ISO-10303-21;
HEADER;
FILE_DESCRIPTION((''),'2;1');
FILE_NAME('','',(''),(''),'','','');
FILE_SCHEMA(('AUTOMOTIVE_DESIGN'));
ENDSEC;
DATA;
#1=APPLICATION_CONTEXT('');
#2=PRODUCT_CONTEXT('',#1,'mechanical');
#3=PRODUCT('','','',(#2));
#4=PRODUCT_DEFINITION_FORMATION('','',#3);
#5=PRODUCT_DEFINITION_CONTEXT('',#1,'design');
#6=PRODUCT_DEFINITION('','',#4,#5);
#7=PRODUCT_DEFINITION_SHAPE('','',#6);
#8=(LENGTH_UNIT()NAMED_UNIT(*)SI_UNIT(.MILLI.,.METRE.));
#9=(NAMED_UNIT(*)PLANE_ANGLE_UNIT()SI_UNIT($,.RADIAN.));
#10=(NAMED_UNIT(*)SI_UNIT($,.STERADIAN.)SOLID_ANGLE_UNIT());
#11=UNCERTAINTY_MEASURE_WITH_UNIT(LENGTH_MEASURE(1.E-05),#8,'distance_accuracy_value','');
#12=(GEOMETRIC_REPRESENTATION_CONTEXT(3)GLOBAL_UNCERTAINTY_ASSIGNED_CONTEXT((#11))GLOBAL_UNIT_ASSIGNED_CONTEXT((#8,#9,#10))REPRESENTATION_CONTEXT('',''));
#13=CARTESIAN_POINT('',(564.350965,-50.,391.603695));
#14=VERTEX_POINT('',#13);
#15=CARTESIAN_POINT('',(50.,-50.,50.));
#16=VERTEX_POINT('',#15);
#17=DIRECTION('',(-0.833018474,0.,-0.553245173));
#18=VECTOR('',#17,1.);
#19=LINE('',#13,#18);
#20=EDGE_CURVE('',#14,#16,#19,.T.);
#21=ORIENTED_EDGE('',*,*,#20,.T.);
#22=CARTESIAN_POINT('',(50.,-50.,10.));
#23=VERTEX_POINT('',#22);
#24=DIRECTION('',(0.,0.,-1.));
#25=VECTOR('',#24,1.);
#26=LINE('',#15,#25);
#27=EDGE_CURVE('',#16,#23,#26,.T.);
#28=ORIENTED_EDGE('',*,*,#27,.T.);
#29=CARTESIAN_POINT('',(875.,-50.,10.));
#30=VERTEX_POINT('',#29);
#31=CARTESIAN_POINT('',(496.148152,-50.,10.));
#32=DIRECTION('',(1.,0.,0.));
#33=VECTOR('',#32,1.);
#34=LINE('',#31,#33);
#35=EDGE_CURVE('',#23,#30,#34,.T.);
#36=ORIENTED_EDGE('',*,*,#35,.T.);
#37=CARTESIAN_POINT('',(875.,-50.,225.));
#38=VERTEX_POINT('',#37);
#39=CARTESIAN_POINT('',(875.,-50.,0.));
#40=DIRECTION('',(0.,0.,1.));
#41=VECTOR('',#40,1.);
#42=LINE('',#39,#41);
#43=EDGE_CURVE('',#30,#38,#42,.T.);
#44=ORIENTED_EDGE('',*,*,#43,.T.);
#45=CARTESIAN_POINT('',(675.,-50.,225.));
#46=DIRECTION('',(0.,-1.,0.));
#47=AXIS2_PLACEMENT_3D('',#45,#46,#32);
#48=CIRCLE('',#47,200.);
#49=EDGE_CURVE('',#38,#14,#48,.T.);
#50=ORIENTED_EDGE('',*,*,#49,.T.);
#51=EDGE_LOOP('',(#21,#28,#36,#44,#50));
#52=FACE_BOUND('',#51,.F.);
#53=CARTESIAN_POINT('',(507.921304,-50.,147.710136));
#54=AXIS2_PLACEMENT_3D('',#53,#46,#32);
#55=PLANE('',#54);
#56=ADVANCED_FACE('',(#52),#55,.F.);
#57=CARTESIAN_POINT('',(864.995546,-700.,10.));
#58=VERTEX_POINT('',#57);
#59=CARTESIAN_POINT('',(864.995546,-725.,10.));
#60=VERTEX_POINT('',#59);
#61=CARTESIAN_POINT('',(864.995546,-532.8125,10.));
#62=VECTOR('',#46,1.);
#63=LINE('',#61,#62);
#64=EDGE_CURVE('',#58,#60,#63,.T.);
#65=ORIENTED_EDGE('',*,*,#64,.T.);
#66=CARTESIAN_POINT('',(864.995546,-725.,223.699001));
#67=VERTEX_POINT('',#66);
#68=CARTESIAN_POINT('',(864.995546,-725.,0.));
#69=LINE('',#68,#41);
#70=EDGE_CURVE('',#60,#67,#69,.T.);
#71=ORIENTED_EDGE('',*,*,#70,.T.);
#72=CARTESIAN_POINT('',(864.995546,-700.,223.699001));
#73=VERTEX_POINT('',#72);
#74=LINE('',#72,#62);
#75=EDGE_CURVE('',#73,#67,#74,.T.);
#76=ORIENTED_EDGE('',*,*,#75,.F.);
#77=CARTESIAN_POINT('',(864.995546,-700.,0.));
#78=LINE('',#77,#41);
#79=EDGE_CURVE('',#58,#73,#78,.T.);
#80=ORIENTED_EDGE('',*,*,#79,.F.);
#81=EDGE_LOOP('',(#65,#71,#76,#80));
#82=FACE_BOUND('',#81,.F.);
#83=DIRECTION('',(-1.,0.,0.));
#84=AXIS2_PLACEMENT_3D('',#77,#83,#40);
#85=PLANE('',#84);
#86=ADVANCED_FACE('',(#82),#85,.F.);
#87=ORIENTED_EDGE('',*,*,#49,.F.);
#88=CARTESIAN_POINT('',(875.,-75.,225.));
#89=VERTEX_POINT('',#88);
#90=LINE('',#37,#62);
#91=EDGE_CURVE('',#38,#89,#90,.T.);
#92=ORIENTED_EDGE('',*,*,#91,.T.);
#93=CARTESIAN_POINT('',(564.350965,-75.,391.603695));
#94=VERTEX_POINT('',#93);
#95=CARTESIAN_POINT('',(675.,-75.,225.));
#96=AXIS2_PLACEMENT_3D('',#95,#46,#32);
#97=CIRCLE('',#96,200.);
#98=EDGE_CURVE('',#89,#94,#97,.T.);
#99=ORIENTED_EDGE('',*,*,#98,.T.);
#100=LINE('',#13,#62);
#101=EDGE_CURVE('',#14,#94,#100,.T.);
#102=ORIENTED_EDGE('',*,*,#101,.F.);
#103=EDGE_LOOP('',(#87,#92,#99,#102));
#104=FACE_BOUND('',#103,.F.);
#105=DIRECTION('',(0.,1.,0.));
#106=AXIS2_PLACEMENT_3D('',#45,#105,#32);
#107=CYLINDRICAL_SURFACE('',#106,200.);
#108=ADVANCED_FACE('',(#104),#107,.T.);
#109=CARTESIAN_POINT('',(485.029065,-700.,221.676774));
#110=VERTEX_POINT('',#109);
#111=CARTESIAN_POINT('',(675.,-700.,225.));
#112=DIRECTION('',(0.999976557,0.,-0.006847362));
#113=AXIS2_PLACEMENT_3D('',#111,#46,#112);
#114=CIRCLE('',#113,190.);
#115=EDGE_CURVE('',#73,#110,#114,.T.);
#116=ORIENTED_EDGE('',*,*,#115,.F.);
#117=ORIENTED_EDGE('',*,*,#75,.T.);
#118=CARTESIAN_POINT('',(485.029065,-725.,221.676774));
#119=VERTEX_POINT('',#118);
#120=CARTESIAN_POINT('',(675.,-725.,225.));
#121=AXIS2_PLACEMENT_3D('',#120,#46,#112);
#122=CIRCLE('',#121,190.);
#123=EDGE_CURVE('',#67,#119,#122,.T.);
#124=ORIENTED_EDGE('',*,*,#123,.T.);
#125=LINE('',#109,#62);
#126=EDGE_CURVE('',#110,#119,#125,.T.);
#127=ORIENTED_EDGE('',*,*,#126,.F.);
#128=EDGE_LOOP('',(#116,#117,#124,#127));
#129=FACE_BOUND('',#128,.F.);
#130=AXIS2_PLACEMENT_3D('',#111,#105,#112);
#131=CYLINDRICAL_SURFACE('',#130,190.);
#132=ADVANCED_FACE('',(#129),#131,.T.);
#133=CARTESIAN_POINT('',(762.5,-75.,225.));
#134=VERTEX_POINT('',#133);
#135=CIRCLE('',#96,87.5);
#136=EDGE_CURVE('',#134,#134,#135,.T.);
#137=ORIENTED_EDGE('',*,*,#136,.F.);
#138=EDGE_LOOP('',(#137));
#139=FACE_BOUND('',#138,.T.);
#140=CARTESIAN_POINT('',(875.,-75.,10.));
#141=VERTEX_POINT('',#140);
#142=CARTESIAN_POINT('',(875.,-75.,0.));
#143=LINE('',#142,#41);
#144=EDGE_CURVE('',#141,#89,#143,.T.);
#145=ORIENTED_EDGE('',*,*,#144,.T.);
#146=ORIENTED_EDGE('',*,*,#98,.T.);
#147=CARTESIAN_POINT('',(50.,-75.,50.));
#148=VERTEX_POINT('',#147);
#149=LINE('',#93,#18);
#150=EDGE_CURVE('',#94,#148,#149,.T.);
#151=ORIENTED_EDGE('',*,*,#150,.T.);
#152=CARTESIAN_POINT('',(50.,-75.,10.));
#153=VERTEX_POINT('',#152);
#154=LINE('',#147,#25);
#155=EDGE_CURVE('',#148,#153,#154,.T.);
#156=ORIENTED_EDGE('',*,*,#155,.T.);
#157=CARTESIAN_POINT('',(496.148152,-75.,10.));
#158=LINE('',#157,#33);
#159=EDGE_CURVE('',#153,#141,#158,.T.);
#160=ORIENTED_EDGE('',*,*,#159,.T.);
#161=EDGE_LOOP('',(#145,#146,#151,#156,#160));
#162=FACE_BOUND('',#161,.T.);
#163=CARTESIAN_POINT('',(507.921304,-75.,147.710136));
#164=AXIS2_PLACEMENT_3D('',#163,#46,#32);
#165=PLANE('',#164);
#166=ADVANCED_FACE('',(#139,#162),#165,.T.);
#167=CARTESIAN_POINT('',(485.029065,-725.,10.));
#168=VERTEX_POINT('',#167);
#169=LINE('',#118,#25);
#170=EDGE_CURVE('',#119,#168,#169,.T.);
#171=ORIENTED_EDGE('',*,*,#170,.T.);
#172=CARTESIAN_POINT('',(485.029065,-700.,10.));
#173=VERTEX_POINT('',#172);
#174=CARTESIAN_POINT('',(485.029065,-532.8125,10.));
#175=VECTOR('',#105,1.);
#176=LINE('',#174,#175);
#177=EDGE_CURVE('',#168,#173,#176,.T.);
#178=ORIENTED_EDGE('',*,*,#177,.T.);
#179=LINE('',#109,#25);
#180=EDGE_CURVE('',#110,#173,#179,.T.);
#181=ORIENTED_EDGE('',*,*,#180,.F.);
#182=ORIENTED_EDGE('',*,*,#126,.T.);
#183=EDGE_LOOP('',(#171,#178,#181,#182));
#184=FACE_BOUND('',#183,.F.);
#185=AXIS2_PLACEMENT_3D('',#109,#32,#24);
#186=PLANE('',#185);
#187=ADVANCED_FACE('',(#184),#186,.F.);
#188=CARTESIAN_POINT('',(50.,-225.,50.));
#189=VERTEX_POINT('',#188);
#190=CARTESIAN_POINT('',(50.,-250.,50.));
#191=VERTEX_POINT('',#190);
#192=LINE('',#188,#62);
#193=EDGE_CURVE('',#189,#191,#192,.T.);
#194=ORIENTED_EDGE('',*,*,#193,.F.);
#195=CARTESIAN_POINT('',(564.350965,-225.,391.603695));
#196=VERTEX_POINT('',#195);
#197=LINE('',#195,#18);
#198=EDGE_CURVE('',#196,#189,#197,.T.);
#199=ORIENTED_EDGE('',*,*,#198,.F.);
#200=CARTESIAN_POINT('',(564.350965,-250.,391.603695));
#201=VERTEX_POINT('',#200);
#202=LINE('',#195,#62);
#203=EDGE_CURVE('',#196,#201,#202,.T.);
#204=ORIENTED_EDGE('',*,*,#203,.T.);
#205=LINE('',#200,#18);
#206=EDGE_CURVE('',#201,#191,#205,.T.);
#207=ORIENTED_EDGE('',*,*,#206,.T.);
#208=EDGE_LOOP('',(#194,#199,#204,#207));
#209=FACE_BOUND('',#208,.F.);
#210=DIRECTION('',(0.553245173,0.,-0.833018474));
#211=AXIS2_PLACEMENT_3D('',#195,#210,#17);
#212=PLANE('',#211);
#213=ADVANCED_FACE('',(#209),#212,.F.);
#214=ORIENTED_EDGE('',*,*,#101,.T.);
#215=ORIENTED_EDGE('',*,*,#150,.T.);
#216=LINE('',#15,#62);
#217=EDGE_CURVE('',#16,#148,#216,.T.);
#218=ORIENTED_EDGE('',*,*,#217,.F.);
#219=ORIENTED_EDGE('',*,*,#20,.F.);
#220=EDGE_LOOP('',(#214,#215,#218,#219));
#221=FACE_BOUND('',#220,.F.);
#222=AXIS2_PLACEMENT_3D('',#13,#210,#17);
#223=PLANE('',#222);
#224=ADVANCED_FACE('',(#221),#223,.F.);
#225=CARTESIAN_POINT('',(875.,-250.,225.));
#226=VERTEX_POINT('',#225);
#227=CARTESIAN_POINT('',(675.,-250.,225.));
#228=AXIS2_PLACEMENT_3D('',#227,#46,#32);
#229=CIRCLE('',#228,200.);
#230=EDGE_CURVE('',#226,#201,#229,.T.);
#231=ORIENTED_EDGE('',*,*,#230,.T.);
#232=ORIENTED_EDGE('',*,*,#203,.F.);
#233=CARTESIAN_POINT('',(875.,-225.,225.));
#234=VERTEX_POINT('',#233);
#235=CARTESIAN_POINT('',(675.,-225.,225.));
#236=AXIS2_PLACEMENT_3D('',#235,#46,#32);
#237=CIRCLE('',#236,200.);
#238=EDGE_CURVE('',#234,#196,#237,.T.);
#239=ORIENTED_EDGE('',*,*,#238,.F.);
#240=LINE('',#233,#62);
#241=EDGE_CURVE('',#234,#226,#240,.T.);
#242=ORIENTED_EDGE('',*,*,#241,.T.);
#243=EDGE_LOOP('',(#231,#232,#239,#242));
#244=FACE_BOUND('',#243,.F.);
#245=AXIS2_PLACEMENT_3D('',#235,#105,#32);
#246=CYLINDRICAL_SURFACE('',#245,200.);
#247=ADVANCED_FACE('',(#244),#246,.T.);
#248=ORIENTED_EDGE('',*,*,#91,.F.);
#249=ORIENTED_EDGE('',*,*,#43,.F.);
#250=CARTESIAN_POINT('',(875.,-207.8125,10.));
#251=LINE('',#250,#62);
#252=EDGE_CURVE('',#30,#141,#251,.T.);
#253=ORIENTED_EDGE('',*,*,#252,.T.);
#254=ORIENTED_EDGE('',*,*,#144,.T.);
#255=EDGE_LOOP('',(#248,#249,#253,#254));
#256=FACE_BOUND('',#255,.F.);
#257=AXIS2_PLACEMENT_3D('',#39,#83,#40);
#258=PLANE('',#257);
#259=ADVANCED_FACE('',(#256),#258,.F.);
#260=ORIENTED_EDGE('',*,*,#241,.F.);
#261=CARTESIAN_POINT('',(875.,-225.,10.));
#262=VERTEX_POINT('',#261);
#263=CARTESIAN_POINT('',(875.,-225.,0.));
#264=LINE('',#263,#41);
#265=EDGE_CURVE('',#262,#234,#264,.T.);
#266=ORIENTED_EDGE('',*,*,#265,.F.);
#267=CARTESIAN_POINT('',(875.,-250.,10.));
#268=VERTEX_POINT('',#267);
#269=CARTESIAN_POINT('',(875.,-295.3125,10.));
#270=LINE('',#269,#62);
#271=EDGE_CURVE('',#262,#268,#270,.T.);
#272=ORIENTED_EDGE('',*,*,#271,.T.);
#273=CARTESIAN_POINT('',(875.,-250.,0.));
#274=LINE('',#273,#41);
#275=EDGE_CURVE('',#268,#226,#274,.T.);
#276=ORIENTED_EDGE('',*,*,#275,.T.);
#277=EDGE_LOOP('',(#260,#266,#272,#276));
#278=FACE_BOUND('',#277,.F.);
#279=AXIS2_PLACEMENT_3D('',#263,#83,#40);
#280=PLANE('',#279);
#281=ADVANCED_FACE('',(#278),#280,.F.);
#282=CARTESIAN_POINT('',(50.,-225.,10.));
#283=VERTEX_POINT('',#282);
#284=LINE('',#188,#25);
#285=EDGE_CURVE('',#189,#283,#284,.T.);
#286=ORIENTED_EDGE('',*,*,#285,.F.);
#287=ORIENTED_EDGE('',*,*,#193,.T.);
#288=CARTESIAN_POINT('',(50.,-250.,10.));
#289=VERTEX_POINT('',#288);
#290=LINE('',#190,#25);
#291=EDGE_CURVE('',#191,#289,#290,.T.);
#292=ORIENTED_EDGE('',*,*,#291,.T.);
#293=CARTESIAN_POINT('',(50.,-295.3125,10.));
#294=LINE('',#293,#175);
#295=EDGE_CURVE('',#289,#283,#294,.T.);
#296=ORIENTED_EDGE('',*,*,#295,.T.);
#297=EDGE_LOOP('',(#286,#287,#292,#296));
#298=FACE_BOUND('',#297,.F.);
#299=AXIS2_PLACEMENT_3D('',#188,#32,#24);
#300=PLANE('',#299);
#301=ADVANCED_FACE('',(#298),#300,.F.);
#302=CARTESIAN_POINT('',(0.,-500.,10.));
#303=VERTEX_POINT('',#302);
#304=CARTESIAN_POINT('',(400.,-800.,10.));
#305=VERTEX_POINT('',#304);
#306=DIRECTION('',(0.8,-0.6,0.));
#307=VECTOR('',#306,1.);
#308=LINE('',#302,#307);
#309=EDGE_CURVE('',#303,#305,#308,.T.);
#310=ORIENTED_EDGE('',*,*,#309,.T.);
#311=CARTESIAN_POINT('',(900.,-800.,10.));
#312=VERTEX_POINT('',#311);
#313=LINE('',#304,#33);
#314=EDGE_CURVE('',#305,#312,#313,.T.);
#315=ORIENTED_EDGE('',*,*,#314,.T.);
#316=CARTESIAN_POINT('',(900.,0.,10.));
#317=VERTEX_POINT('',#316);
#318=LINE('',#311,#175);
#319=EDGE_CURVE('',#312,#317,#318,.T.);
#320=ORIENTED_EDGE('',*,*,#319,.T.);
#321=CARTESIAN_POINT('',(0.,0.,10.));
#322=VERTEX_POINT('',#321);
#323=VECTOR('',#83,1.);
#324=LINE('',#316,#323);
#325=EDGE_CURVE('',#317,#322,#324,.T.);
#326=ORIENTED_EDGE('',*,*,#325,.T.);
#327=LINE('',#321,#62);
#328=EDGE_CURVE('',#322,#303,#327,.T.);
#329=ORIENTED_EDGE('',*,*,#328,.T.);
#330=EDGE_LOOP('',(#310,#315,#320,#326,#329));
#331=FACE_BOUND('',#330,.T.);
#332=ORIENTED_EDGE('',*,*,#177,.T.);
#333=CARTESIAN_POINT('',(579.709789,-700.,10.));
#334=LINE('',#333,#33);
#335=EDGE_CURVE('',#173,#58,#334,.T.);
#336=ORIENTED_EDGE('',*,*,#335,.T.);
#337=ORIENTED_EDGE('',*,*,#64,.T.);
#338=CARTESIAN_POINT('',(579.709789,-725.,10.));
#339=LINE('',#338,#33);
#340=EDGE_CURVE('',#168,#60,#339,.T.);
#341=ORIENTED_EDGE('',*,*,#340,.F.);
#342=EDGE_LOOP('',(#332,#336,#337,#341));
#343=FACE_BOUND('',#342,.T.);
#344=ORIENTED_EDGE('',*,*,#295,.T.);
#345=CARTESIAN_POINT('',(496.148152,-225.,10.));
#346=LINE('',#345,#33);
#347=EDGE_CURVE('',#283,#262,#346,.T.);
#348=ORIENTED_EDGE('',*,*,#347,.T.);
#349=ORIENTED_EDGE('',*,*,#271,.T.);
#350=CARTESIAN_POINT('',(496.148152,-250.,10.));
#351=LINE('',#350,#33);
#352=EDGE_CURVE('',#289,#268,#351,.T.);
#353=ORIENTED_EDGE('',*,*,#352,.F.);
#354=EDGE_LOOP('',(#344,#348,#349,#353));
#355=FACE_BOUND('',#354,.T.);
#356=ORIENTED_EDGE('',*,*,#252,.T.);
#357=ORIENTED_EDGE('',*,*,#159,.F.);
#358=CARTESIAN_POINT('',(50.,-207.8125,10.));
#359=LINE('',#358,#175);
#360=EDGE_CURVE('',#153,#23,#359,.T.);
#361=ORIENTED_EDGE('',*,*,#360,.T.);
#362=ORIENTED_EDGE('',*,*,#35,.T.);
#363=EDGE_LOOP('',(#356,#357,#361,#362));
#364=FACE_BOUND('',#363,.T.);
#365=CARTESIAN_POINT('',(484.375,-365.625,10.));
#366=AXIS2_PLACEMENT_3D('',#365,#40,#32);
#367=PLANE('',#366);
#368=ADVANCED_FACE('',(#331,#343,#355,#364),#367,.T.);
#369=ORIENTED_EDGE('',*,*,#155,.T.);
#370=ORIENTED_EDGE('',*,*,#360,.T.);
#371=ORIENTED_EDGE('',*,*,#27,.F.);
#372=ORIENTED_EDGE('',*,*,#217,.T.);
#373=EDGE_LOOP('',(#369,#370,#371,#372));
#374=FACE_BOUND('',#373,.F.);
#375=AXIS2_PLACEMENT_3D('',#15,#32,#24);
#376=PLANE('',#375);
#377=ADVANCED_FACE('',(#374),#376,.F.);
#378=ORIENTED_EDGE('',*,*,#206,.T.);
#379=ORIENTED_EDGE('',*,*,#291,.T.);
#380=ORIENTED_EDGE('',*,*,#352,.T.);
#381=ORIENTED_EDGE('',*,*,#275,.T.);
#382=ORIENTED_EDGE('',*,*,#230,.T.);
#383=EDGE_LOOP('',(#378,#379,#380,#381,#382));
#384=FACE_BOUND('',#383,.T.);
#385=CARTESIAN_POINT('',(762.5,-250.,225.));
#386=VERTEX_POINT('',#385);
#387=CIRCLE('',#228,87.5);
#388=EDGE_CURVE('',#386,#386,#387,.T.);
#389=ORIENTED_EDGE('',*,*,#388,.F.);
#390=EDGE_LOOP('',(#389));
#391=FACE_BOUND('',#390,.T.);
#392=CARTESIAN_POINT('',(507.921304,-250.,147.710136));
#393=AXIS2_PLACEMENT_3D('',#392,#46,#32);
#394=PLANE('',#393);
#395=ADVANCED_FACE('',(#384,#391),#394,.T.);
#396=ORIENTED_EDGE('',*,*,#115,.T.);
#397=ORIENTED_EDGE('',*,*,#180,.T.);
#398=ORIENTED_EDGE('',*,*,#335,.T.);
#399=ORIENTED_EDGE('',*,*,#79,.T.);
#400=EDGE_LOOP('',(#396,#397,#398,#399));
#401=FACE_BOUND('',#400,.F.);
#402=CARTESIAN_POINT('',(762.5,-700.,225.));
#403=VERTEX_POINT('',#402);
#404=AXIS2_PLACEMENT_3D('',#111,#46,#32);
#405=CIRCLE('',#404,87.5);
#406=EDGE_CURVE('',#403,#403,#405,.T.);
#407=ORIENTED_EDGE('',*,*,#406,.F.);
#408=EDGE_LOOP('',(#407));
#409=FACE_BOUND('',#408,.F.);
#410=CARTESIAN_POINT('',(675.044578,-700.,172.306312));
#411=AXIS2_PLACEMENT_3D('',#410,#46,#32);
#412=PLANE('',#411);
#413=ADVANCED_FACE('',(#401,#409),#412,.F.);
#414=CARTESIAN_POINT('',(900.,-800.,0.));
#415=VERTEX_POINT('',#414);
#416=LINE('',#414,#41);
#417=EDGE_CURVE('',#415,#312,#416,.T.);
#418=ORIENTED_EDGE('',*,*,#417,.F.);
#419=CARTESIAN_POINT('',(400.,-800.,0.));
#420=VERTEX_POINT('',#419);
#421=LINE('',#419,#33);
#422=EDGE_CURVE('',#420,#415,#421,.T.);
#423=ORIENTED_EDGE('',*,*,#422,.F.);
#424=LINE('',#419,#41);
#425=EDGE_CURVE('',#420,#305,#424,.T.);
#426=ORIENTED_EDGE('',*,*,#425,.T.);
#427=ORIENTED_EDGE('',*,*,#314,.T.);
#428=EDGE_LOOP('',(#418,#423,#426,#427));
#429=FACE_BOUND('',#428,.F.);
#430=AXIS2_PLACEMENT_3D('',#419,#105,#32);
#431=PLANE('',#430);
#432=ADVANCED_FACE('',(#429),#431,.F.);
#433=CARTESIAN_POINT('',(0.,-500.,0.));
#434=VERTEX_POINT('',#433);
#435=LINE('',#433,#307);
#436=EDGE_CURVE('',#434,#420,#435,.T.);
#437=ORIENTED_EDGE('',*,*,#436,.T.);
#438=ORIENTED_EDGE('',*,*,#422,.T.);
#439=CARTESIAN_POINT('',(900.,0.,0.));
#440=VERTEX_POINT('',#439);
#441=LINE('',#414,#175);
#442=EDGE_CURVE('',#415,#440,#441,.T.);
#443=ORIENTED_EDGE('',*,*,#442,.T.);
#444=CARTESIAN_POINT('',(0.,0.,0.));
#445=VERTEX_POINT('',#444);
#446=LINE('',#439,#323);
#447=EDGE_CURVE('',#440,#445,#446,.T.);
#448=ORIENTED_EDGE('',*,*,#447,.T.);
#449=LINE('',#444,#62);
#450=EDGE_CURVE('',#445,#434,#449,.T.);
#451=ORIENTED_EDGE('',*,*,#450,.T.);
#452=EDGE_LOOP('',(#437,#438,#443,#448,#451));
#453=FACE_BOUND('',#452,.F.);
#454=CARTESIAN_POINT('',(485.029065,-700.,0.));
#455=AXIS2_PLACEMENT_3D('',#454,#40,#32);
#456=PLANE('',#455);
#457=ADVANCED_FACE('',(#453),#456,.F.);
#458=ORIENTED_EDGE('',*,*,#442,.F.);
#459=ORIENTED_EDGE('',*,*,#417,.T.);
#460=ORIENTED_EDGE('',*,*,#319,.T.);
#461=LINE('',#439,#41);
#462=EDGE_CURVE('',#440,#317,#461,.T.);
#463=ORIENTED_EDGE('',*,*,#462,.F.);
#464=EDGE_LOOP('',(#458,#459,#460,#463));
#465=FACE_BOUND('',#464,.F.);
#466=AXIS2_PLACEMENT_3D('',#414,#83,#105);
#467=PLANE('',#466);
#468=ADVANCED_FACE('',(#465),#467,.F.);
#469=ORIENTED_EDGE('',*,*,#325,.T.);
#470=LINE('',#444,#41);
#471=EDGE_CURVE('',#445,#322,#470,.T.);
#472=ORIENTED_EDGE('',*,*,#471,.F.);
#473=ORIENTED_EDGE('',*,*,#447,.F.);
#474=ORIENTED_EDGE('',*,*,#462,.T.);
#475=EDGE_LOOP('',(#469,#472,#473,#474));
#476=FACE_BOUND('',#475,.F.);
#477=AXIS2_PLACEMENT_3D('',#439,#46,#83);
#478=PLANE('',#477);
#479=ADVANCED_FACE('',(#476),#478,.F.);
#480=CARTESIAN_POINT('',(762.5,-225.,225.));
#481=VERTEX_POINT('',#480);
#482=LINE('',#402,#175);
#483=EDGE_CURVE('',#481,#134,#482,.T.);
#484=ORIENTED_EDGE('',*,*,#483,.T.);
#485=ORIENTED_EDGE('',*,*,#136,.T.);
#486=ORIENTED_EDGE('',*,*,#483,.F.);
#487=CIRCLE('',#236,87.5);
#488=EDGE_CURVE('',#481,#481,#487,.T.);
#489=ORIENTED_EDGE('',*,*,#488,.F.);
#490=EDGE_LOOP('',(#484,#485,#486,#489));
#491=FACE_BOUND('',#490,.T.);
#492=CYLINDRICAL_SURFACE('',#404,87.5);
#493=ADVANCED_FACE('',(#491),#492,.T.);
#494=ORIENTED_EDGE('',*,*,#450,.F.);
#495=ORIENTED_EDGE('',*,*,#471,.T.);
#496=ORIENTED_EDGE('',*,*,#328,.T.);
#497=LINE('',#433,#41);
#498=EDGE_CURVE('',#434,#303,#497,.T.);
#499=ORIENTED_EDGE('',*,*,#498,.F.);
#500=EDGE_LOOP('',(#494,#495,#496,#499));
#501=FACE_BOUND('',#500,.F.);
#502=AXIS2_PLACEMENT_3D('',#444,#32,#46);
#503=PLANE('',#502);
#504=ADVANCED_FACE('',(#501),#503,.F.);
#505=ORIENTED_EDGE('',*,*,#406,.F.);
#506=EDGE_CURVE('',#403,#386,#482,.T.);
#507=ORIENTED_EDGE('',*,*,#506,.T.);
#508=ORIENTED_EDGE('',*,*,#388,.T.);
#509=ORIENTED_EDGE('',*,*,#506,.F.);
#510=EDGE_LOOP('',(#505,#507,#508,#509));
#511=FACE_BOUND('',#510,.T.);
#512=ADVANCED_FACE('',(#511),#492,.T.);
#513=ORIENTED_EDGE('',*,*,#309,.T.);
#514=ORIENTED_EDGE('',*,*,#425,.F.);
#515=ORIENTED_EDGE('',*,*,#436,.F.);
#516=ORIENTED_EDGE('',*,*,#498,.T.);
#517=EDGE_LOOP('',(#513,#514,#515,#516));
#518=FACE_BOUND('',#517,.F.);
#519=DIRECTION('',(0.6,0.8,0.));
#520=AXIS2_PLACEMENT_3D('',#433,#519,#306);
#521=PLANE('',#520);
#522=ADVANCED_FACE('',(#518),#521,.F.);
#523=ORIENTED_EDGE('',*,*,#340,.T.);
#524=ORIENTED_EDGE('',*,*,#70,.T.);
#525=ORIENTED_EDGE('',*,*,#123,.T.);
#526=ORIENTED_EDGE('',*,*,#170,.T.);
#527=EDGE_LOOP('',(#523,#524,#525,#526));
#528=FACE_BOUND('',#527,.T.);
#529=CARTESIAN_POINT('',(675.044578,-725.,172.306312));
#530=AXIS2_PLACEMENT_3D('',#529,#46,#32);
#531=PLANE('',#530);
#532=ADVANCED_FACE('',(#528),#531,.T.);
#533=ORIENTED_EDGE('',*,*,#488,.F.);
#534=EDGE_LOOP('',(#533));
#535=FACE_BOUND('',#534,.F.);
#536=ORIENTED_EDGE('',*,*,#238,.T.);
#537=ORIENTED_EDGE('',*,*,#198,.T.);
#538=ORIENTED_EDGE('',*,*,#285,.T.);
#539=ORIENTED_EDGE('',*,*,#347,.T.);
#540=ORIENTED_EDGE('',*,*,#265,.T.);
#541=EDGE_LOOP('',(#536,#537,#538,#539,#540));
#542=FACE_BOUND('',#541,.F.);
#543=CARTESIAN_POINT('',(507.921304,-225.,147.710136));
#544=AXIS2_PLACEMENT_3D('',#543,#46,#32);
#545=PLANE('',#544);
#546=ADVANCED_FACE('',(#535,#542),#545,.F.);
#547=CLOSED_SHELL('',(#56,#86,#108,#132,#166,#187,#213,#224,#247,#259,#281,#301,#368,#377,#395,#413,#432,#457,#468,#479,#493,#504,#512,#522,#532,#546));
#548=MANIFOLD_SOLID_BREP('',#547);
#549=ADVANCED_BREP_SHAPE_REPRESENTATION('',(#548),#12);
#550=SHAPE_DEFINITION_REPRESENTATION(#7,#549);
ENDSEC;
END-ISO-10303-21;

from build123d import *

# Parameters (mm, degrees)
F4_DEPTH  = 10
F5_DEPTH  = 25
F8_DEPTH  = 25
F9_R      = 87.5
F10_DEPTH = 650


with BuildPart() as f4:
    # F0 (on Top) → F4 (new body)
    with BuildSketch(Plane.XY):
        Polygon((900, 0), (0, 0), (0, -500), (400, -800), (900, -800), align=None)
    extrude(amount=F4_DEPTH)

    # F3 (on offset) → F8 (join)
    with BuildSketch(Plane.XZ.offset(700)):
        with BuildLine():
            Line((864.9955457431, 0), (864.9955457431, 223.6990012303))
            ThreePointArc((864.9955457431, 223.6990012303), (673.9888114785, 414.9973091856), (485.0290649374, 221.6767739387))
            Line((485.0290649374, 221.6767739387), (485.0290649374, 0))
            Line((485.0290649374, 0), (864.9955457431, 0))
        make_face()
    extrude(amount=F8_DEPTH)



with BuildPart() as f5:
    # F1 (on Front) → F5 (new body)
    with BuildSketch(Plane.XZ):
        with BuildLine():
            Line((50, 50), (50, 0))
            Line((50, 0), (875, 0))
            Line((875, 0), (875, 225))
            ThreePointArc((875, 225), (769.5256396076, 401.2523856768), (564.3509654323, 391.6036948847))
            Line((564.3509654323, 391.6036948847), (50, 50))
        make_face()
    extrude(amount=F5_DEPTH)


with BuildPart() as f5_1:
    # F6: moved
    add(f5.part.moved(Location((0, -50, 0))))


with BuildPart() as f7_1:
    # F7: copy of F5
    add(f5_1.part.moved(Location((0, -175, 0))))


with BuildPart() as f4_1:
    add(f4.part)

    add(f5_1.part)  # F10 merges F5

    add(f7_1.part)  # F10 merges F7_1
    # F9 (on offset) → F10 (join, through all)
    with BuildSketch(Plane.XZ.offset(700)):
        with Locations((675, 225)):
            Circle(F9_R)
    extrude(amount=-F10_DEPTH)


solid = f4_1.part
